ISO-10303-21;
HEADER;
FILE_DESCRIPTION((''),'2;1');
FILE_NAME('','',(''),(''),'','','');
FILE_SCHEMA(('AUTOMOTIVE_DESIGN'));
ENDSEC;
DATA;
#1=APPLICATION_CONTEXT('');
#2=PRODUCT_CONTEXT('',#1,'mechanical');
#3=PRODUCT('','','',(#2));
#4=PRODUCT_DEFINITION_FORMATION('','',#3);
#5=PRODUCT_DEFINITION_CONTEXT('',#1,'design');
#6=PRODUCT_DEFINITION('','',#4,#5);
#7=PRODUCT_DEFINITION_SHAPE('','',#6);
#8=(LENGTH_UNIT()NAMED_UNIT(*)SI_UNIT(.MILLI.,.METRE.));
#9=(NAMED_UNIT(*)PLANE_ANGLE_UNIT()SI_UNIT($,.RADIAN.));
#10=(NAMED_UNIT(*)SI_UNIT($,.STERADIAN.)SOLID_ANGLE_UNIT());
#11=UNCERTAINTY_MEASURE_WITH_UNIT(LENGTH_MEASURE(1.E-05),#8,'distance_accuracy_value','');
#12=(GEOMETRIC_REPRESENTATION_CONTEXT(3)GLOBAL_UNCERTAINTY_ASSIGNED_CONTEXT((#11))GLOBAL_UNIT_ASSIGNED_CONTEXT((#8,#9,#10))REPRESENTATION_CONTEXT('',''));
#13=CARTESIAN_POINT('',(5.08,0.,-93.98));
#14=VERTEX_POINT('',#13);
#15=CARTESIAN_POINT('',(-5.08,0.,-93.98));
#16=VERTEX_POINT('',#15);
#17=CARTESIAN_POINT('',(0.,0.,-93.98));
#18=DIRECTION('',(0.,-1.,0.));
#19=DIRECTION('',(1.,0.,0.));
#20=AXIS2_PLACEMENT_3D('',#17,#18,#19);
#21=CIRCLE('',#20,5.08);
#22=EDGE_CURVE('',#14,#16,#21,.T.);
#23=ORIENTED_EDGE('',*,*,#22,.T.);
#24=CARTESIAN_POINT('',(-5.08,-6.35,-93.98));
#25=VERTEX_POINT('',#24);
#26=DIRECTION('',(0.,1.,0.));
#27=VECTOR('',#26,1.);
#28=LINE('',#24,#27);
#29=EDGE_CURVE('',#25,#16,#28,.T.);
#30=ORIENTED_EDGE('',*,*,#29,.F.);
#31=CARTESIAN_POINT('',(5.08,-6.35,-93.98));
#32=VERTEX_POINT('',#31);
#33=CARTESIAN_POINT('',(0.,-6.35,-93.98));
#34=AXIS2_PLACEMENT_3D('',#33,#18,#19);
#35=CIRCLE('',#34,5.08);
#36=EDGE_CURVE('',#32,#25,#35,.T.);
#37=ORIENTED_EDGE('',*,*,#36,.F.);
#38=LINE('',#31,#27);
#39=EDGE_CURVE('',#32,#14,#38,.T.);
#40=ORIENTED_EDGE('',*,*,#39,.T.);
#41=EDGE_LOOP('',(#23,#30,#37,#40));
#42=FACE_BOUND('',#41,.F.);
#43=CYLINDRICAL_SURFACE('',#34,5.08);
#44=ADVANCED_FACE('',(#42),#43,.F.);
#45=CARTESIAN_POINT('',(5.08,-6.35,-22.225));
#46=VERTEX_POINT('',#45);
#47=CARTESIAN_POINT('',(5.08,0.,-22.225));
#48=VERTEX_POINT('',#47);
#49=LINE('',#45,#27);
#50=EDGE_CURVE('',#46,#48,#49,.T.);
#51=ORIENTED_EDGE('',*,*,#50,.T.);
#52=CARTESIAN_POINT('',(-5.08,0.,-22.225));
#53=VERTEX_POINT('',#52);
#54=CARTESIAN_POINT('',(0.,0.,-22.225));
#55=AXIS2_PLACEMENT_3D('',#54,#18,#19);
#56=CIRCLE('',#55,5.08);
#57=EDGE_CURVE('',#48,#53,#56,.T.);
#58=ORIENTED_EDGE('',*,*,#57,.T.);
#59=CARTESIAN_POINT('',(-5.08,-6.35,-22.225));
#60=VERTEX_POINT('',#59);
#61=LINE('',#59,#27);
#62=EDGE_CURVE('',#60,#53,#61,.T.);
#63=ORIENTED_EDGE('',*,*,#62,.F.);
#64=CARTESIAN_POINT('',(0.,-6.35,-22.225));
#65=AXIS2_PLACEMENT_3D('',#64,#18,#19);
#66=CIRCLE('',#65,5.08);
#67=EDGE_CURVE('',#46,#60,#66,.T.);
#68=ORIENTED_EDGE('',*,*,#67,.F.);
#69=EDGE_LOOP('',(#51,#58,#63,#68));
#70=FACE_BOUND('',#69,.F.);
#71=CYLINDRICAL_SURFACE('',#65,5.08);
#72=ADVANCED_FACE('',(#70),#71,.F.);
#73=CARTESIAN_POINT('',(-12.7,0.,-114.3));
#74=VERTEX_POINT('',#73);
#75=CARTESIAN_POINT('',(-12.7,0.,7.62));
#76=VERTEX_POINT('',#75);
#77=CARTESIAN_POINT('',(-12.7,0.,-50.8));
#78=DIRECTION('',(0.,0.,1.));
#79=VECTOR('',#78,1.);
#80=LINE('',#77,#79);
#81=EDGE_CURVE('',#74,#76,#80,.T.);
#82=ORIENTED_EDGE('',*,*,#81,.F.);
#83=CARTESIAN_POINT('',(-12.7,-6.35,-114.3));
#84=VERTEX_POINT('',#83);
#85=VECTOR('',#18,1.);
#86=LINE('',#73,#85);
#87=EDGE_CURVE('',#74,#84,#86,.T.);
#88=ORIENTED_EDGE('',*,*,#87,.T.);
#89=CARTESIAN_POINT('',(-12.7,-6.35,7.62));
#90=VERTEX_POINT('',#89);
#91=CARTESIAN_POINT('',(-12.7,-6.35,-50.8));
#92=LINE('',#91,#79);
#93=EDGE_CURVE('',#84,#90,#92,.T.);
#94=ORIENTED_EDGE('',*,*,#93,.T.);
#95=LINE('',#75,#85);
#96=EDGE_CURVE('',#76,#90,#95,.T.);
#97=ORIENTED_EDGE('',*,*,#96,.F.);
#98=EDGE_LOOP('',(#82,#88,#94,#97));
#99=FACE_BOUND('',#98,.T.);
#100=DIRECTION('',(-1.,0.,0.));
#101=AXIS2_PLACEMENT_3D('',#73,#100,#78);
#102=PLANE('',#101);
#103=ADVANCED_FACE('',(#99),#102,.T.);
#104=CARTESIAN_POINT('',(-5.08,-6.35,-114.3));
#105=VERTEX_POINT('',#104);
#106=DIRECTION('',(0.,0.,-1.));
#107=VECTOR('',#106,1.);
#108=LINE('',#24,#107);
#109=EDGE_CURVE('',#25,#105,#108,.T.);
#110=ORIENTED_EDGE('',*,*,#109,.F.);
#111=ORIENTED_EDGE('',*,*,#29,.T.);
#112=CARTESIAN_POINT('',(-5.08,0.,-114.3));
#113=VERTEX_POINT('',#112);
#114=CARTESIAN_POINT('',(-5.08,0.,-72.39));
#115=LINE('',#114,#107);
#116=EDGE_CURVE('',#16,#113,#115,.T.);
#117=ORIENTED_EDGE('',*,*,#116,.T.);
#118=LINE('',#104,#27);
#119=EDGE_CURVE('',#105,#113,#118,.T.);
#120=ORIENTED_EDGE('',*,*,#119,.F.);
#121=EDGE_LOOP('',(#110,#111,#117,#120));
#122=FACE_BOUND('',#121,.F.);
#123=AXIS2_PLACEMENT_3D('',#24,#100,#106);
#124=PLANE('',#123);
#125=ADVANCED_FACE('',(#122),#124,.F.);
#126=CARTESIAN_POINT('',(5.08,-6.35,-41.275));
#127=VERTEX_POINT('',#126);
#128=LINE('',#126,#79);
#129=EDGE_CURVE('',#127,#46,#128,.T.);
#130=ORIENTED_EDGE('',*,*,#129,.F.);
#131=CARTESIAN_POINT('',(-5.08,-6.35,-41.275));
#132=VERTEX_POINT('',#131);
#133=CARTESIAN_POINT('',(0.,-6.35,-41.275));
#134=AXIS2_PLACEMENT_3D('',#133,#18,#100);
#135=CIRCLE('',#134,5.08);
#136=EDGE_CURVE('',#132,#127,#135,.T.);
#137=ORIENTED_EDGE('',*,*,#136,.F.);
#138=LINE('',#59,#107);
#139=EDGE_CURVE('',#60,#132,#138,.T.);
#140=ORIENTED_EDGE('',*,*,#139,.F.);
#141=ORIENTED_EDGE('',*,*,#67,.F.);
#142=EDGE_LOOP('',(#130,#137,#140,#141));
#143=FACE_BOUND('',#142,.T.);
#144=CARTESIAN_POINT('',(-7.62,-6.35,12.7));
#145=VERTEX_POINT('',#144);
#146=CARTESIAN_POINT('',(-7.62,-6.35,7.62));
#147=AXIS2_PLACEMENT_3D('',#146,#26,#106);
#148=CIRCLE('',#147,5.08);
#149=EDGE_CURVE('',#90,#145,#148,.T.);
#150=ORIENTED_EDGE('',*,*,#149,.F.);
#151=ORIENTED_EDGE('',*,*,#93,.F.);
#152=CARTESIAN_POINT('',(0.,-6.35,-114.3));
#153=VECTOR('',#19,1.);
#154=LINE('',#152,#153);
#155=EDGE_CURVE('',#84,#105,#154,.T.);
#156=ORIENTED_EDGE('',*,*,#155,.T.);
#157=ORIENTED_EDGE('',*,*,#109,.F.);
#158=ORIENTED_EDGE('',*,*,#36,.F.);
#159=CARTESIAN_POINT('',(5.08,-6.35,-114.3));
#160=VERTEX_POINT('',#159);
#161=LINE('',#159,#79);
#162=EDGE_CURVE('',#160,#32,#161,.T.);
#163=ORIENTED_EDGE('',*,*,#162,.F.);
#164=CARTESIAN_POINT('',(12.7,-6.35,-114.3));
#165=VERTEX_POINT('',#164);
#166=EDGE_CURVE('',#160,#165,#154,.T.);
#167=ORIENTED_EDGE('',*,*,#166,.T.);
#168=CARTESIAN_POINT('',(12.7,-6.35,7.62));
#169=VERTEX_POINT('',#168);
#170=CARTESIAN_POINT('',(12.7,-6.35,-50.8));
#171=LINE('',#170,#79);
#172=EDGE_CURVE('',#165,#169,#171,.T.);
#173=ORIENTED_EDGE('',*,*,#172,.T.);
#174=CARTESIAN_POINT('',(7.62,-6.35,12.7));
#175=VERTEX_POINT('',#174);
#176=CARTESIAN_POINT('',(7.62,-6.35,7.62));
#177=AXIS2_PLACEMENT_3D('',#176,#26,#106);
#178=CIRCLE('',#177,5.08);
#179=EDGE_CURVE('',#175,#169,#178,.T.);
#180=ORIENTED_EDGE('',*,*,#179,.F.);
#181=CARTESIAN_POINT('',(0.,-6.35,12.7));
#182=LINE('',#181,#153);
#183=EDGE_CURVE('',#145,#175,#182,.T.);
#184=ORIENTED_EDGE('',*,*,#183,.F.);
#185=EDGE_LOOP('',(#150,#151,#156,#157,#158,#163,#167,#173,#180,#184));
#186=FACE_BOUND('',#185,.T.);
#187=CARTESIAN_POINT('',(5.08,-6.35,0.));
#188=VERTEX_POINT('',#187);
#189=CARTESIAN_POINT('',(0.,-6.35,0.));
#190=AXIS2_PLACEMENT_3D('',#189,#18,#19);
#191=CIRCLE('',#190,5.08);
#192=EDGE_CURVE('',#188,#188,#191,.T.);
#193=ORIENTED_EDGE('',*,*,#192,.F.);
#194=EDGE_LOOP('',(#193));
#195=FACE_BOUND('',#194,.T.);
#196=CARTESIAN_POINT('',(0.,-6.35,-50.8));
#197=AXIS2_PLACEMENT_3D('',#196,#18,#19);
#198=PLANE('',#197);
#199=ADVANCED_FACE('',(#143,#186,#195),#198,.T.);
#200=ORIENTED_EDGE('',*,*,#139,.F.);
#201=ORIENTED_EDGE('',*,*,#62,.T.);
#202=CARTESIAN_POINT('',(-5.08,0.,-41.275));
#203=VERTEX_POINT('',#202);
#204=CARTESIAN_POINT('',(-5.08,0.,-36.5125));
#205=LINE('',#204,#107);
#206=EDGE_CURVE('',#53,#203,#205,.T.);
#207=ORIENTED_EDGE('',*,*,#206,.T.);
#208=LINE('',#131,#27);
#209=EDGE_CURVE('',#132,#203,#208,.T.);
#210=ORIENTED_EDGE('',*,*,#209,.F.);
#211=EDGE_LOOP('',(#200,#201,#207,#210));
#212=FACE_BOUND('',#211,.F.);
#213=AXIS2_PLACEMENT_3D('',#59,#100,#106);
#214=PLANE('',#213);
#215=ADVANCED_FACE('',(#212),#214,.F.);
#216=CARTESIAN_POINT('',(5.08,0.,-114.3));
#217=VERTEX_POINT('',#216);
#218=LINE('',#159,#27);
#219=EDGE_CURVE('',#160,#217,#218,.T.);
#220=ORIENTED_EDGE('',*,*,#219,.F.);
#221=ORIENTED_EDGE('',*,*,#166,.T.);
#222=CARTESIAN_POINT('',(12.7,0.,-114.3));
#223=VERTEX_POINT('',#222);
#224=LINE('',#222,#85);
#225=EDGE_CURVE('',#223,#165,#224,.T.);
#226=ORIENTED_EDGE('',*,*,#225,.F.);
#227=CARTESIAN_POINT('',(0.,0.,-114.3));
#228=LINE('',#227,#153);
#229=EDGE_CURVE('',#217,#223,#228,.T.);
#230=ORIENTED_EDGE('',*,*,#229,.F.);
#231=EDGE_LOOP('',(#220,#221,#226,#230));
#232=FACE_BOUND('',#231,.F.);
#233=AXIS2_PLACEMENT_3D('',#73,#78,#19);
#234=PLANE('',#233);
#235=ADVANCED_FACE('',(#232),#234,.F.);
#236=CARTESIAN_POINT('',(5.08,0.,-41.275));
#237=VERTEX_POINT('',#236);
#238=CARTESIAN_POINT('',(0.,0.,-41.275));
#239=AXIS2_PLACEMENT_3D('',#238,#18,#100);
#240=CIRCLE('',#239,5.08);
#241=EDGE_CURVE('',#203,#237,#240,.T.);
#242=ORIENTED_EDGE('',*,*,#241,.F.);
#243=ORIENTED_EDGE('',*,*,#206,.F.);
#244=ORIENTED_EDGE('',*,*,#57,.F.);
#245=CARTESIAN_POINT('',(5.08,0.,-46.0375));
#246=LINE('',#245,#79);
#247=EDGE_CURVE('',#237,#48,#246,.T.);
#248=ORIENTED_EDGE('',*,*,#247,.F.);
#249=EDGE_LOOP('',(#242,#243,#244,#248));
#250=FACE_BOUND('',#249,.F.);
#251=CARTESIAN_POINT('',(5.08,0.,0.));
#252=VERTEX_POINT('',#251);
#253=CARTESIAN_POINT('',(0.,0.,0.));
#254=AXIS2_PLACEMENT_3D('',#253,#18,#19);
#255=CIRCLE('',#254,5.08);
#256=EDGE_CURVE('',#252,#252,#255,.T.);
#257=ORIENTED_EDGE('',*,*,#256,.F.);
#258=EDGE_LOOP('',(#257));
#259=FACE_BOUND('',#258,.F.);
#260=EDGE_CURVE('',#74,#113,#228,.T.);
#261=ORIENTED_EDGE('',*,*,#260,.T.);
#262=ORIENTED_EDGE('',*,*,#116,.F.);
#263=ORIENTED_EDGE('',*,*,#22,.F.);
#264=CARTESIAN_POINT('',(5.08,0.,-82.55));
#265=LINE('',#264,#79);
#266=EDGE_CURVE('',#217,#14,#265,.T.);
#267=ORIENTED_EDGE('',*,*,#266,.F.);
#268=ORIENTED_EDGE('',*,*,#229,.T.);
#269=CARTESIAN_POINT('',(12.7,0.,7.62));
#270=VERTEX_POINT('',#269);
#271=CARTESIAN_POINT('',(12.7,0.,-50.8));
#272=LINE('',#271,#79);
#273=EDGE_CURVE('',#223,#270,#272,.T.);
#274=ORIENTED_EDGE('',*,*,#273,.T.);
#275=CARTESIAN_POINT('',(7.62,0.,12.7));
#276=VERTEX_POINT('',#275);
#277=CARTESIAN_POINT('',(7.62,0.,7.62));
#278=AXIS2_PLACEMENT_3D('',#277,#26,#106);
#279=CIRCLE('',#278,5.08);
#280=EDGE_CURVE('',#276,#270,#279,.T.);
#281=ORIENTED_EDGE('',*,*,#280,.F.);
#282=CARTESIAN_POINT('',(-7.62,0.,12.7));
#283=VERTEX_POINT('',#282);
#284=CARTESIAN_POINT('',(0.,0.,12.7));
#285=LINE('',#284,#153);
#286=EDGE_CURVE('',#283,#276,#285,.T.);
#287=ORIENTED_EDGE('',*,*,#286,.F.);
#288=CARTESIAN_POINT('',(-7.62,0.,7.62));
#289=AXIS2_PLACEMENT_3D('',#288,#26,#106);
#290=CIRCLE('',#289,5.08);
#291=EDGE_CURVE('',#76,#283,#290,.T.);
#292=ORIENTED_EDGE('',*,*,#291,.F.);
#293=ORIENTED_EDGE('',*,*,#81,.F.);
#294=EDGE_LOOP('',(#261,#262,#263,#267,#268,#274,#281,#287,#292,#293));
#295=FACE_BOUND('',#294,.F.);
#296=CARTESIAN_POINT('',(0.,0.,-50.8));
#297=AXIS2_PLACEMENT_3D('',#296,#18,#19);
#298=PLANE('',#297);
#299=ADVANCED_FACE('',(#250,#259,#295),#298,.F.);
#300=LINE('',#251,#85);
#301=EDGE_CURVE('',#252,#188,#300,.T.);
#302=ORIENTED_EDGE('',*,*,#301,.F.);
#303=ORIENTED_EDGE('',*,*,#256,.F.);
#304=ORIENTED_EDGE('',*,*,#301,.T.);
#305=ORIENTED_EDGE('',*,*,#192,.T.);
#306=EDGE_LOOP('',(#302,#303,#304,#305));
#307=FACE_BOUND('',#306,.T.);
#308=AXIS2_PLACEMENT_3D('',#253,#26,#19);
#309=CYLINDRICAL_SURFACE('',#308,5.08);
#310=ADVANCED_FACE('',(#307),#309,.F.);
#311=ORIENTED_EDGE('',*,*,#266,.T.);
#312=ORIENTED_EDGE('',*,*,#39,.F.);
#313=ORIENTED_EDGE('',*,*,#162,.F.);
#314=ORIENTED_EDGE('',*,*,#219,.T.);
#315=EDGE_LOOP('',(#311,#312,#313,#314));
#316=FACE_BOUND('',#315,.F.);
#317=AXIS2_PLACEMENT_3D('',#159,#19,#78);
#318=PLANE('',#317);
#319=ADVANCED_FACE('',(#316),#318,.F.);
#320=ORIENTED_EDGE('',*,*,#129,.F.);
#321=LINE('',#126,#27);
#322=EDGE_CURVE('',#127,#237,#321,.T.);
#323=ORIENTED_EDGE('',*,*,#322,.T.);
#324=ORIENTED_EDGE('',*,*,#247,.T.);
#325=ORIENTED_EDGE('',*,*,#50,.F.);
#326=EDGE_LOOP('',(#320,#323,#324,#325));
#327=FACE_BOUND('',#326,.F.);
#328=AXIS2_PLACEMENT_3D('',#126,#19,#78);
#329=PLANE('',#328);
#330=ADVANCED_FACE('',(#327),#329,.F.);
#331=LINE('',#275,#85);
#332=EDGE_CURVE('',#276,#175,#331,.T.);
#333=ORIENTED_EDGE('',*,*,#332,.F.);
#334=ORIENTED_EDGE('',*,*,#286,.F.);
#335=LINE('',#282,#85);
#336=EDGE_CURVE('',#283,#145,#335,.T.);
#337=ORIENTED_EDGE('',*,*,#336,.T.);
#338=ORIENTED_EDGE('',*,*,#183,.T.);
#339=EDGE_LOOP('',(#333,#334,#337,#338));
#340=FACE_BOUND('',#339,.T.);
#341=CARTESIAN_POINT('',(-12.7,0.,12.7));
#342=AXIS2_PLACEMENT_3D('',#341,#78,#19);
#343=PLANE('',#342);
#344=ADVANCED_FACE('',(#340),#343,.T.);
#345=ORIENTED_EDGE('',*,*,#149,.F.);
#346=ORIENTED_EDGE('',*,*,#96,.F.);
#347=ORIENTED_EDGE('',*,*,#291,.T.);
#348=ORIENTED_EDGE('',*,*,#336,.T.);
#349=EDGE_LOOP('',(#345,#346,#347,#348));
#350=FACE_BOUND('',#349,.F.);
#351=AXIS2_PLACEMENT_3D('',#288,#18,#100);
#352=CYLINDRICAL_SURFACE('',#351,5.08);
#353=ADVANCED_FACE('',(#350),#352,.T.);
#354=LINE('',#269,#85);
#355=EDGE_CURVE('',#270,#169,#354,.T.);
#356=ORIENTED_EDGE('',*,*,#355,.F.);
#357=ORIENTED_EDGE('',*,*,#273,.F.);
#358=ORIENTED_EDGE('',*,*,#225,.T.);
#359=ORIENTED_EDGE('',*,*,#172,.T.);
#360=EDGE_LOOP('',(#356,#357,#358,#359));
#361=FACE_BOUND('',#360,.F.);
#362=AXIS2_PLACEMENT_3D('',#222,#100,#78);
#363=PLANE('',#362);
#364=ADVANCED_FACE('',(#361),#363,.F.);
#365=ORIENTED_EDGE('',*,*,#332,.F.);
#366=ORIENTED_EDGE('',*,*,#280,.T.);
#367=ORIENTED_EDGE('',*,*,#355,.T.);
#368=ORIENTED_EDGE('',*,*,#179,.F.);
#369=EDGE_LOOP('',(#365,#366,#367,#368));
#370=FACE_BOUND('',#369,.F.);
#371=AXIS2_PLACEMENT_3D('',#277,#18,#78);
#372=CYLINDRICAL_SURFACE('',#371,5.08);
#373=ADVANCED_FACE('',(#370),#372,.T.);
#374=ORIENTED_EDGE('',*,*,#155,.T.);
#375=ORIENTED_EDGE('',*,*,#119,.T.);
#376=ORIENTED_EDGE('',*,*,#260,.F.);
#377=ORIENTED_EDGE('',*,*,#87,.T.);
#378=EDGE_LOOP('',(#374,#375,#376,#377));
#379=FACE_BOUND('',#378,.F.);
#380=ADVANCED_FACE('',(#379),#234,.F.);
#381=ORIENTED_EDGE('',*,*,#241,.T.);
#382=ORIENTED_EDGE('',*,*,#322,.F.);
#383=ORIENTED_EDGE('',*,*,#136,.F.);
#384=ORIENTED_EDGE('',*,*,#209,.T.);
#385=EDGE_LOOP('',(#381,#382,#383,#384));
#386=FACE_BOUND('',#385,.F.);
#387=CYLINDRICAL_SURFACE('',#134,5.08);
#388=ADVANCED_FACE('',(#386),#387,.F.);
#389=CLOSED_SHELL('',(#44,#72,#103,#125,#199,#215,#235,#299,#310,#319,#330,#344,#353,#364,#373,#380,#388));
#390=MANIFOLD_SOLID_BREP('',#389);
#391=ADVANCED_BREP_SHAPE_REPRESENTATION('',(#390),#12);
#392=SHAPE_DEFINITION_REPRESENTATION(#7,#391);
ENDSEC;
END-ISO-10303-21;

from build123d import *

# Parameters (mm, degrees)
F0_W     = 25.4
F0_H     = 127
F0_R     = 5.08
F1_DEPTH = 6.35
F2_R     = 5.08
F4_DEPTH = 25.4
F6_DEPTH = 6.351


with BuildPart() as f1:
    # F0 (on Front) → F1 (new body)
    with BuildSketch(Plane.XZ):
        with Locations((0, -50.8)):
            Rectangle(F0_W, F0_H)
        Circle(F0_R, mode=Mode.SUBTRACT)
    extrude(amount=F1_DEPTH)

    # F2
    f2_edges = [f1.edges().sort_by_distance(p)[0] for p in [
        (12.7, -3.175, 12.7),
        (-12.7, -3.175, 12.7),
    ]]
    fillet(f2_edges, radius=F2_R)

    # F3 (on face) → F4 (cut)
    with BuildSketch(Plane.XZ.offset(6.35)):
        with BuildLine():
            ThreePointArc((-5.08, -41.275), (0, -46.355), (5.08, -41.275))
            Line((5.08, -41.275), (5.08, -22.225))
            ThreePointArc((5.08, -22.225), (0, -17.145), (-5.08, -22.225))
            Line((-5.08, -22.225), (-5.08, -41.275))
        make_face()
    extrude(amount=-F4_DEPTH, mode=Mode.SUBTRACT)

    # F5 (on face) → F6 (cut, through all)
    with BuildSketch(Plane.XZ.offset(6.35)):
        with BuildLine():
            Line((-5.08, -114.3), (5.08, -114.3))
            Line((5.08, -114.3), (5.08, -93.98))
            ThreePointArc((5.08, -93.98), (0, -88.9), (-5.08, -93.98))
            Line((-5.08, -93.98), (-5.08, -114.3))
        make_face()
    extrude(amount=-F6_DEPTH, mode=Mode.SUBTRACT)


solid = f1.part
